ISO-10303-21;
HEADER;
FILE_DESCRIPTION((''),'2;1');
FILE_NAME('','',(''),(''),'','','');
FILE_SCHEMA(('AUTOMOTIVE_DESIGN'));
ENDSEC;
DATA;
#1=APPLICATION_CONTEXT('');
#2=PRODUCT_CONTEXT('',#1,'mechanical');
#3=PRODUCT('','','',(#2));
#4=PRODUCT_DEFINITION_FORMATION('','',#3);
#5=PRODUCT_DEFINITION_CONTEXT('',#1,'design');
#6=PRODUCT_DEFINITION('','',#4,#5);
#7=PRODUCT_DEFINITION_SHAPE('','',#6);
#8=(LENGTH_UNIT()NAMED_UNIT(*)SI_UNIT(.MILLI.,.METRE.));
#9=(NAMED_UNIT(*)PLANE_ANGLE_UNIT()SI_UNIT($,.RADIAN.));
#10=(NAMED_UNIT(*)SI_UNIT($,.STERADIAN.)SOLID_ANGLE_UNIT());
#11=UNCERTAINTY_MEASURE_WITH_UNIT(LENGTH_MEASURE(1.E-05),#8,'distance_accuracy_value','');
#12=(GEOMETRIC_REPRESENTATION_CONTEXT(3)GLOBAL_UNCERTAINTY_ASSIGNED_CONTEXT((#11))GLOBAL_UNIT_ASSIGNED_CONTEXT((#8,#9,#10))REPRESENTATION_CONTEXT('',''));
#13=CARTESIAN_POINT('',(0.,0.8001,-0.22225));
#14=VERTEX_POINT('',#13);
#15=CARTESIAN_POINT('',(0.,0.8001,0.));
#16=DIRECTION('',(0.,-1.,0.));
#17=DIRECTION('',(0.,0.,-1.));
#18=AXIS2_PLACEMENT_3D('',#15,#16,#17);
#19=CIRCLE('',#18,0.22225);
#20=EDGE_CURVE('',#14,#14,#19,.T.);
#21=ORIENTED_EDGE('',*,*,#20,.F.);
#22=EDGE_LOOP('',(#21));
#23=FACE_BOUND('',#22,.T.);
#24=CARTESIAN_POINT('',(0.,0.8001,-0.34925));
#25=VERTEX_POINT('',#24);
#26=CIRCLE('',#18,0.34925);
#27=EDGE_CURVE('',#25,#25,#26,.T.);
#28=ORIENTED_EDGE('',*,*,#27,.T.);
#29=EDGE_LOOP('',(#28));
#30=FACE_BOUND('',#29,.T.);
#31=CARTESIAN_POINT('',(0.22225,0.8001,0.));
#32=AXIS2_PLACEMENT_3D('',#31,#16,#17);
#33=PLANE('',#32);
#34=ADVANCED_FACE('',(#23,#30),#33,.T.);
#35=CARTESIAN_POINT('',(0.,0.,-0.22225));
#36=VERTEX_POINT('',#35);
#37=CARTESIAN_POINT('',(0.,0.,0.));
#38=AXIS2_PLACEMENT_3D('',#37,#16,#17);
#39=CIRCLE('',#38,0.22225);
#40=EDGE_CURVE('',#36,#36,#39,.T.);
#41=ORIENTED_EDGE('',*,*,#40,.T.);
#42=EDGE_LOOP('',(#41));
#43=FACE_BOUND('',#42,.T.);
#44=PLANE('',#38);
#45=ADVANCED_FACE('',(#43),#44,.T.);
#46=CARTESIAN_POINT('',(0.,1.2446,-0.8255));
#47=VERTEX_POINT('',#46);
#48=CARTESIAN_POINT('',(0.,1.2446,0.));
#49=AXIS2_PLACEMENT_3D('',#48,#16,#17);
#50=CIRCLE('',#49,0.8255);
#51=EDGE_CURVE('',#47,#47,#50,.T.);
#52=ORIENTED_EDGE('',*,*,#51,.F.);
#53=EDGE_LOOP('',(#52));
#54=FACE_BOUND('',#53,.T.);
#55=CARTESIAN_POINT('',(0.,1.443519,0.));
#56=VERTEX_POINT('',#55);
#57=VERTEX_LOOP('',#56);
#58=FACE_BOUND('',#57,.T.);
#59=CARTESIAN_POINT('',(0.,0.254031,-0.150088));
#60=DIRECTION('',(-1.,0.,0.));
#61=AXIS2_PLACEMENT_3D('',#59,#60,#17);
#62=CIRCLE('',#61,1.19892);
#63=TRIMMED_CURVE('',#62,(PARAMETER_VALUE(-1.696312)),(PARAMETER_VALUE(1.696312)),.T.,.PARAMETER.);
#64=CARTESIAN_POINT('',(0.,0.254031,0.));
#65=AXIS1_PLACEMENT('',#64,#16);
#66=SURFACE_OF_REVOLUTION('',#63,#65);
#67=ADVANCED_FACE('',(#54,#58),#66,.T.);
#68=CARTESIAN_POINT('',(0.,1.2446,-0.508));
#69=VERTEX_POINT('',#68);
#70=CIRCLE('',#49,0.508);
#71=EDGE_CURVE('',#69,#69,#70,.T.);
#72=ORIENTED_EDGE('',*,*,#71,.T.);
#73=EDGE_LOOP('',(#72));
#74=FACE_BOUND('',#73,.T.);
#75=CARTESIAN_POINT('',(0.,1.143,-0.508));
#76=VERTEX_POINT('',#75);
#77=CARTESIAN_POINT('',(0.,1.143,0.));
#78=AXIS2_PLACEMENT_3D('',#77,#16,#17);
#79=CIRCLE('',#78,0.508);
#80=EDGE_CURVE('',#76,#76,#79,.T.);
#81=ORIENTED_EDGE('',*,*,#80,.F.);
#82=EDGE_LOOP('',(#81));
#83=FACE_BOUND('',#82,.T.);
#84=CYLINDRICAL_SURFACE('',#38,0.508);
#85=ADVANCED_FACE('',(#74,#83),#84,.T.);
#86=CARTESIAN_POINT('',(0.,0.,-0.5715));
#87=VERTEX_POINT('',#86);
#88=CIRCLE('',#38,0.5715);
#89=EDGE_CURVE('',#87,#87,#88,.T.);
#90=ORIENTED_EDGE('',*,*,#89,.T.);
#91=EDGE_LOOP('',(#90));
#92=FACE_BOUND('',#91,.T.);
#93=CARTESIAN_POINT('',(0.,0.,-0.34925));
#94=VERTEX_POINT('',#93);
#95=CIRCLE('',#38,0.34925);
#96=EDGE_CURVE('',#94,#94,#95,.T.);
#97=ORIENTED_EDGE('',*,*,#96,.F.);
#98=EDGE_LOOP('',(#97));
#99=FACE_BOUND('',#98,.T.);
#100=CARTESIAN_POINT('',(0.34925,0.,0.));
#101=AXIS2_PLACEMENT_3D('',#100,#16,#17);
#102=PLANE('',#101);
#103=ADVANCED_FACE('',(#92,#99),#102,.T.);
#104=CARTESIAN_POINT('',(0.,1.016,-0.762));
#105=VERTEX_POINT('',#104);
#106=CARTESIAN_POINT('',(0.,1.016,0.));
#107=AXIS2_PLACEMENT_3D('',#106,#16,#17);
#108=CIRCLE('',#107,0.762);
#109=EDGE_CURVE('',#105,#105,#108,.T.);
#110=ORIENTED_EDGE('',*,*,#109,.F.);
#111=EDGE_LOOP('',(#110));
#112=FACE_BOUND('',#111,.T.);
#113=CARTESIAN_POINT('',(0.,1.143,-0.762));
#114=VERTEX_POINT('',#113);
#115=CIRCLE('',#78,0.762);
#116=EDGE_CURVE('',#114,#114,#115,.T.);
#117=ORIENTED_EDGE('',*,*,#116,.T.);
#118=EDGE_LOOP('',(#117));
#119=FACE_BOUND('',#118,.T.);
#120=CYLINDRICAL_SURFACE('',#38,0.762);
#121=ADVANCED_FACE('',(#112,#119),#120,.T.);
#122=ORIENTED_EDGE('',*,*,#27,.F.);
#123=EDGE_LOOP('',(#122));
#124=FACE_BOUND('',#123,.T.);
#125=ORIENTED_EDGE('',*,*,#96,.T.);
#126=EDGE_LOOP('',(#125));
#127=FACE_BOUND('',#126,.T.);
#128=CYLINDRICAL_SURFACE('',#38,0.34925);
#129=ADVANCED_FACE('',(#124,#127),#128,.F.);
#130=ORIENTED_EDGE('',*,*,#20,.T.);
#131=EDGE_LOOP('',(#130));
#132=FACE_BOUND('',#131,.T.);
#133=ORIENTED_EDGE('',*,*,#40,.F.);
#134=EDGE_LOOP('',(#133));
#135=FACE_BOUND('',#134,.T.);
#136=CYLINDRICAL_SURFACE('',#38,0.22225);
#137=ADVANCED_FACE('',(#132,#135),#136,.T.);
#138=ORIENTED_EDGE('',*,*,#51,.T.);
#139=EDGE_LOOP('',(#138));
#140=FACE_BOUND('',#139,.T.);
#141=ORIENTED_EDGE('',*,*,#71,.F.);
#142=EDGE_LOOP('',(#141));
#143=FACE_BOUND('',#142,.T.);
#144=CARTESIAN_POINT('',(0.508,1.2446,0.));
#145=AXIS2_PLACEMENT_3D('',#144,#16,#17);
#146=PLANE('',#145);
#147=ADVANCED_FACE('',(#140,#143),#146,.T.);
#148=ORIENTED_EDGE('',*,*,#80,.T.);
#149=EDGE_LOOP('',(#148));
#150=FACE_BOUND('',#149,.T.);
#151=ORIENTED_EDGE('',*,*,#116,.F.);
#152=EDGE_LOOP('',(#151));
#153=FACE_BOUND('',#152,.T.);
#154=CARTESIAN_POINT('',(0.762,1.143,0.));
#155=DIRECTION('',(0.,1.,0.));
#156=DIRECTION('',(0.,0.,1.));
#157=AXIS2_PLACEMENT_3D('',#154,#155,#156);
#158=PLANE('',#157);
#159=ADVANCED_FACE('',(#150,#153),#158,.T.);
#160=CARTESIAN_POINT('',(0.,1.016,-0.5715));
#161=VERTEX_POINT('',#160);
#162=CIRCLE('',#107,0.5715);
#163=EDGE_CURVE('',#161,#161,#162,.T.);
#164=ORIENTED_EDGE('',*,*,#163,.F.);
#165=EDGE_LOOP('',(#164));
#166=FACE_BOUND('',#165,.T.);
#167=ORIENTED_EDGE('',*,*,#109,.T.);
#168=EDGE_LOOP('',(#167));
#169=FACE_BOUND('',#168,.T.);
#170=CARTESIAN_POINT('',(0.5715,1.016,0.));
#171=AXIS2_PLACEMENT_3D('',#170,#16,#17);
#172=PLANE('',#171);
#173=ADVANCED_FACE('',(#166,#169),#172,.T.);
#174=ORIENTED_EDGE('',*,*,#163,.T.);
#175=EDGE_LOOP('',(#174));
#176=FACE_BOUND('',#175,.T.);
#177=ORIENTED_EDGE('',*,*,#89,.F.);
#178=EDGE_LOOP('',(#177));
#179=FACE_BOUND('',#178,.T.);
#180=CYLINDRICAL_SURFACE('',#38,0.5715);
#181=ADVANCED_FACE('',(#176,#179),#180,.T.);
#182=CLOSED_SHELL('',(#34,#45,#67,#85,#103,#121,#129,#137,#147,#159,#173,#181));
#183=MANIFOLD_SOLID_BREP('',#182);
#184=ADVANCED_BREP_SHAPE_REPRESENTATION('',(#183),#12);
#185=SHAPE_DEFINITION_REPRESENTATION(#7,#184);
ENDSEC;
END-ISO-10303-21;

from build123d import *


with BuildPart() as part:
    # Sketch1 → Revolve1 (revolve)
    with BuildSketch(Plane.XY, mode=Mode.PRIVATE) as revolve1_sk:
        with BuildLine():
            Line((0, 0), (0.22225, 0))
            Line((0.22225, 0), (0.22225, 0.8001))
            Line((0.22225, 0.8001), (0.34925, 0.8001))
            Line((0.34925, 0.8001), (0.34925, 0))
            Line((0.34925, 0), (0.5715, 0))
            Line((0.5715, 0), (0.5715, 1.016))
            Line((0.5715, 1.016), (0.762, 1.016))
            Line((0.762, 1.016), (0.762, 1.143))
            Line((0.762, 1.143), (0.508, 1.143))
            Line((0.508, 1.143), (0.508, 1.2446))
            Line((0.508, 1.2446), (0.8255, 1.2446))
            ThreePointArc((0.8255, 1.2446), (0.430950097, 1.419588625), (0, 1.443518904))
            Line((0, 1.443518904), (0, 0))
        make_face()
    revolve(revolve1_sk.sketch.rotate(Axis((0, 0, 0), (0, 1, 0)), 90), axis=Axis((0, 0, 0), (0, 1, 0)))


solid = part.part
